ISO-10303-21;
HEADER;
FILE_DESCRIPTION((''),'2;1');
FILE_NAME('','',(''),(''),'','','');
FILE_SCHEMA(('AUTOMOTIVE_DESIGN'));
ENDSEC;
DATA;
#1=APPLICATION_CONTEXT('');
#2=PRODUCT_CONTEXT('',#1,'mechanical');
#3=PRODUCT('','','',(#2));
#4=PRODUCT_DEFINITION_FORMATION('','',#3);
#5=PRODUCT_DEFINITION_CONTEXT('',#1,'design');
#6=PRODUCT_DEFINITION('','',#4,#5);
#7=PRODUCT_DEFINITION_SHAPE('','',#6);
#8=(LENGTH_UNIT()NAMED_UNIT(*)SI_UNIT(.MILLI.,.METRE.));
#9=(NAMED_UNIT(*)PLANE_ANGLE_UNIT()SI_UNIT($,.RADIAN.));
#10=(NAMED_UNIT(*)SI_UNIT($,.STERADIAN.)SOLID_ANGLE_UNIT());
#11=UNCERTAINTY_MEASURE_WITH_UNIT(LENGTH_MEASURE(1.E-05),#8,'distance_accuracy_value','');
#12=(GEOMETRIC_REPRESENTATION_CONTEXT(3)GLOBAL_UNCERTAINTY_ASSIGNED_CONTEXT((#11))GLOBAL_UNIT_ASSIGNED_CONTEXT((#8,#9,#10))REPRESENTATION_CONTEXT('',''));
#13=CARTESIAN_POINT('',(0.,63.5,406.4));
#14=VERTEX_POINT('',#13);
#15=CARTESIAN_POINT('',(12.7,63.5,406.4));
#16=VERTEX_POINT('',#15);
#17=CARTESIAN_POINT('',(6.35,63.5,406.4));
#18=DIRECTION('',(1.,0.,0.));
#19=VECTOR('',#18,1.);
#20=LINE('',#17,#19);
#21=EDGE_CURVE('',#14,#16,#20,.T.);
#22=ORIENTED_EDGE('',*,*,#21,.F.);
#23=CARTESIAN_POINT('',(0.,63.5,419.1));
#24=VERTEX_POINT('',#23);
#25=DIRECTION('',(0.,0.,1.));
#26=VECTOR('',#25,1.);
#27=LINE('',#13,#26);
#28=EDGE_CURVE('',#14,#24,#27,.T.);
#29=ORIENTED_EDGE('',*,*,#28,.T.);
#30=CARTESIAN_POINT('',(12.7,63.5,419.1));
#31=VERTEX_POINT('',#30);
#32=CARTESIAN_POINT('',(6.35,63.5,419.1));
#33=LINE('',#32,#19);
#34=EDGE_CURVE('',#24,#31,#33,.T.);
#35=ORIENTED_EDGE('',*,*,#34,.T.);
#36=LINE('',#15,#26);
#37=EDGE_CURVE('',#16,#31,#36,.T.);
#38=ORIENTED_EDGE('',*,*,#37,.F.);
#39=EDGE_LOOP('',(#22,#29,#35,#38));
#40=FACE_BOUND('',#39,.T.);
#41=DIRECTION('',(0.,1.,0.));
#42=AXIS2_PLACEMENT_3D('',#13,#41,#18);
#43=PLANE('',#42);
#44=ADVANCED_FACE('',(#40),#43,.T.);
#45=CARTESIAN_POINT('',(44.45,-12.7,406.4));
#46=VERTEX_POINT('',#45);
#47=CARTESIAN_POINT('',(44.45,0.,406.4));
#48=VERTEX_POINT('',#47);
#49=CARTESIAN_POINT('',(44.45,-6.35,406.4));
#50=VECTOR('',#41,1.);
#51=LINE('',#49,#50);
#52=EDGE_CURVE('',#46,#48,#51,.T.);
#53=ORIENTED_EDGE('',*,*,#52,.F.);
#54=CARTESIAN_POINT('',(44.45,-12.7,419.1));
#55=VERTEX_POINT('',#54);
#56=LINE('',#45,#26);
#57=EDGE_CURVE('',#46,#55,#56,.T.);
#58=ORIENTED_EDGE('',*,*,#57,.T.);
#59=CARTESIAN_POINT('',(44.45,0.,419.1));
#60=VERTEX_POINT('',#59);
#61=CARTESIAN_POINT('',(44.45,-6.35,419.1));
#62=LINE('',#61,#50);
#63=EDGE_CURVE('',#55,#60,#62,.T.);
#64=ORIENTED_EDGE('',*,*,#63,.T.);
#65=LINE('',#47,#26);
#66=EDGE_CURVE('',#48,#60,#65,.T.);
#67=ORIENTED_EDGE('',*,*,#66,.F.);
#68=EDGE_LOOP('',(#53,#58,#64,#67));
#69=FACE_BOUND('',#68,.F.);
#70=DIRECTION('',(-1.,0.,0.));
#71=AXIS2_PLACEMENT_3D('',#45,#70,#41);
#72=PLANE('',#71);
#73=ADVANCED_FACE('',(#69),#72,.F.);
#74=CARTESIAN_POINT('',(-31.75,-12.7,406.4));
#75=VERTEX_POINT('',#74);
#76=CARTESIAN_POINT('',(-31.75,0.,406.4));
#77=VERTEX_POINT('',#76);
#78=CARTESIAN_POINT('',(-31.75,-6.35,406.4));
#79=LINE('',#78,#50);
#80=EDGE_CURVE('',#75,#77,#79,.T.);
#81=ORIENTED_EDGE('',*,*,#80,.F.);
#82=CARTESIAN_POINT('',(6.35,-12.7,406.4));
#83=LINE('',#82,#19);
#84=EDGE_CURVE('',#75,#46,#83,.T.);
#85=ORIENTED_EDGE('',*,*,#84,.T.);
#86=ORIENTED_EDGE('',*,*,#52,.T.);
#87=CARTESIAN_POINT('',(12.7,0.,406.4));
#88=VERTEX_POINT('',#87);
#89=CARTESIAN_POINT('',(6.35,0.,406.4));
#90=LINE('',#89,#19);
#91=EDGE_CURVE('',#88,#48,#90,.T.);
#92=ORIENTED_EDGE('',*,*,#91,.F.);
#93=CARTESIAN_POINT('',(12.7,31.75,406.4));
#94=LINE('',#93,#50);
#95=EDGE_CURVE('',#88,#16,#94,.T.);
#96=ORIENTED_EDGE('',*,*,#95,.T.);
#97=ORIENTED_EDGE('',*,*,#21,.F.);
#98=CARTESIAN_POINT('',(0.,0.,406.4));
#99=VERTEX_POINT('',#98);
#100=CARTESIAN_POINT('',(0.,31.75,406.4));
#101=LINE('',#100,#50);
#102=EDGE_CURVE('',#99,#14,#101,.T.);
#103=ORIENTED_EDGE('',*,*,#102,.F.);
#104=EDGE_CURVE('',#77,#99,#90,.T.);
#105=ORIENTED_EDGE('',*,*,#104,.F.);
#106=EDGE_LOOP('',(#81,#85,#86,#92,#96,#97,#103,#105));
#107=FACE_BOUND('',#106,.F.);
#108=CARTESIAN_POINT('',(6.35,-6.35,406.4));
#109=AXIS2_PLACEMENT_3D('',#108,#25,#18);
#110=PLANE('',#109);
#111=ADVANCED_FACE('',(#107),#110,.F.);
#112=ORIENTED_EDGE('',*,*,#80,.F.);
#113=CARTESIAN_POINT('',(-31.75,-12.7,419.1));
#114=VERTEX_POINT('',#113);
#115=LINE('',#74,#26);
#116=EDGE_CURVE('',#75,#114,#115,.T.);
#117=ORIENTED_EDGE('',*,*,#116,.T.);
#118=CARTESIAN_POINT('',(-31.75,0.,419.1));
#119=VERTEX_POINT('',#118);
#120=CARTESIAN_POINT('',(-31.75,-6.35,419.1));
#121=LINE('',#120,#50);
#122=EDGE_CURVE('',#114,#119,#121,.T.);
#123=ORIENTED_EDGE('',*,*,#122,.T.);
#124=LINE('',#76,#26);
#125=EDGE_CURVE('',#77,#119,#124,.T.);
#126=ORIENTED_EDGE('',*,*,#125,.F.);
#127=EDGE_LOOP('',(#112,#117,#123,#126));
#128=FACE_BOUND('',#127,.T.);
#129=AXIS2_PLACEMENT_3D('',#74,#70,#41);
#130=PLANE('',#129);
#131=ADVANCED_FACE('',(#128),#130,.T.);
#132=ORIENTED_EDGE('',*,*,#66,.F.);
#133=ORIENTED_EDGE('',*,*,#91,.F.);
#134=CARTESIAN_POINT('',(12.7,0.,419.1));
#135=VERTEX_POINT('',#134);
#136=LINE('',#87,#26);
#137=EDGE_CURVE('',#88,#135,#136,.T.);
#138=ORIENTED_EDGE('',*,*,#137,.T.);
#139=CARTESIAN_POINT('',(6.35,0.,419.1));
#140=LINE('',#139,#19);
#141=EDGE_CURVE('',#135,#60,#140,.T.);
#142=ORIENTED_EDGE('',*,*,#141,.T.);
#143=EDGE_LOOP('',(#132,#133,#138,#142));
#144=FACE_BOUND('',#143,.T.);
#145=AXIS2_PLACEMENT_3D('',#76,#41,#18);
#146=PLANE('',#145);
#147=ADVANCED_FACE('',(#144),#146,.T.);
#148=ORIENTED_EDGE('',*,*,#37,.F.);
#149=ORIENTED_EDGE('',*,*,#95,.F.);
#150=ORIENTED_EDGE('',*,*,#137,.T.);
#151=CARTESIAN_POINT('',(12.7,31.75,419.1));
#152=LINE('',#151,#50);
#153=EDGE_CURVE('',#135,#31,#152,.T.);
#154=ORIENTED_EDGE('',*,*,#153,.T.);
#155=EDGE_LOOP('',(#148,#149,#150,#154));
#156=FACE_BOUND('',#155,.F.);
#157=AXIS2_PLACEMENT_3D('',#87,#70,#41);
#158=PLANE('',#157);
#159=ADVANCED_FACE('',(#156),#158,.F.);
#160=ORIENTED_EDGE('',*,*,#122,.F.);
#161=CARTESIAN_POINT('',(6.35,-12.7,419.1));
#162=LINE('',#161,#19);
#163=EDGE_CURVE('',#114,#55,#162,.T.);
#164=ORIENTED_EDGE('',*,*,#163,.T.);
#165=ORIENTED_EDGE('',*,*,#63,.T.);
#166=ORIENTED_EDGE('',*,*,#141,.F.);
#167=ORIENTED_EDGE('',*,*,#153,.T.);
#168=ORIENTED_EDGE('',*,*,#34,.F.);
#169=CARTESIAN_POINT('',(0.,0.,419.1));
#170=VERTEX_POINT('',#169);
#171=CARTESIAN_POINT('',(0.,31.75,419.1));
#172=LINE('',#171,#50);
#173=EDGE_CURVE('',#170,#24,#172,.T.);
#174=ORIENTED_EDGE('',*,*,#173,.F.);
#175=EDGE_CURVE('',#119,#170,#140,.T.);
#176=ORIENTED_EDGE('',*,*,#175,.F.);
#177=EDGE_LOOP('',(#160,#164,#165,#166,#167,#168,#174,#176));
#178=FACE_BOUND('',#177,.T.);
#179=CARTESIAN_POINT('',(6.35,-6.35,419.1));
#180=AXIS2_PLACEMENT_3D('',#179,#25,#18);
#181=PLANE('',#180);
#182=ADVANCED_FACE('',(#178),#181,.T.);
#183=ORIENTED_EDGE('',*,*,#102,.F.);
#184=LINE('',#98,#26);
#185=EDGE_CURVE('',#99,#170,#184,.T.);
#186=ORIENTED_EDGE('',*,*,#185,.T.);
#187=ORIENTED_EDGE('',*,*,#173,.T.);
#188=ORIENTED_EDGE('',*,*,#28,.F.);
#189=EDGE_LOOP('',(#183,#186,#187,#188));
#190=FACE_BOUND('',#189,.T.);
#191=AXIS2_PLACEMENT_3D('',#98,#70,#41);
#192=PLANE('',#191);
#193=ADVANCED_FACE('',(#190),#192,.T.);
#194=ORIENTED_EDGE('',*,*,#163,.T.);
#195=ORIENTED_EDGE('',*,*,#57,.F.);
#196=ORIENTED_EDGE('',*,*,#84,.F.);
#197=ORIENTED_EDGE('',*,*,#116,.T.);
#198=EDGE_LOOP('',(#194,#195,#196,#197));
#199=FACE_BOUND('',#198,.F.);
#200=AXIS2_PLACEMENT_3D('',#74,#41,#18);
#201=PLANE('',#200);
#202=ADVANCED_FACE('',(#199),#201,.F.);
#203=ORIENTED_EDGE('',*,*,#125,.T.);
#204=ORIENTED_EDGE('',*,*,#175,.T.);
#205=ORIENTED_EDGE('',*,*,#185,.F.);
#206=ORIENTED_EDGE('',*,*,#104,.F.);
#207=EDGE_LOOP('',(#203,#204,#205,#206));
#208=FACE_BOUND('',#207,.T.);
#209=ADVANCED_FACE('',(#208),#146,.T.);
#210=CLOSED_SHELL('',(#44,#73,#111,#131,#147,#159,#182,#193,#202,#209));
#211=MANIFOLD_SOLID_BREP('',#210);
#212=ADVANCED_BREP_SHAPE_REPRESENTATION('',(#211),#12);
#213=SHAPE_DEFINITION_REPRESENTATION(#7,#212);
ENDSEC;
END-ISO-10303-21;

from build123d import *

# Parameters (mm, degrees)
BOX001_W     = 12.7
BOX001_H     = 63.5
BOX001_DEPTH = 12.7
BOX002_W     = 76.2
BOX002_H     = 12.7
BOX002_DEPTH = 12.7


with BuildPart() as cube:
    # Box001 → Box001 (new body)
    with BuildSketch(Plane.XY.offset(406.4)):
        with Locations((6.35, 31.75)):
            Rectangle(BOX001_W, BOX001_H)
    extrude(amount=BOX001_DEPTH)


with BuildPart() as fusion:
    # Box002 → Box002 (new body)
    with BuildSketch(Plane(origin=(-31.75, -12.7, 406.4), x_dir=(1, 0, 0), z_dir=(0, 0, 1))):
        with Locations((38.1, 6.35)):
            Rectangle(BOX002_W, BOX002_H)
    extrude(amount=BOX002_DEPTH)

    # Fusion: union Cube
    add(cube.part)


solid = fusion.part
